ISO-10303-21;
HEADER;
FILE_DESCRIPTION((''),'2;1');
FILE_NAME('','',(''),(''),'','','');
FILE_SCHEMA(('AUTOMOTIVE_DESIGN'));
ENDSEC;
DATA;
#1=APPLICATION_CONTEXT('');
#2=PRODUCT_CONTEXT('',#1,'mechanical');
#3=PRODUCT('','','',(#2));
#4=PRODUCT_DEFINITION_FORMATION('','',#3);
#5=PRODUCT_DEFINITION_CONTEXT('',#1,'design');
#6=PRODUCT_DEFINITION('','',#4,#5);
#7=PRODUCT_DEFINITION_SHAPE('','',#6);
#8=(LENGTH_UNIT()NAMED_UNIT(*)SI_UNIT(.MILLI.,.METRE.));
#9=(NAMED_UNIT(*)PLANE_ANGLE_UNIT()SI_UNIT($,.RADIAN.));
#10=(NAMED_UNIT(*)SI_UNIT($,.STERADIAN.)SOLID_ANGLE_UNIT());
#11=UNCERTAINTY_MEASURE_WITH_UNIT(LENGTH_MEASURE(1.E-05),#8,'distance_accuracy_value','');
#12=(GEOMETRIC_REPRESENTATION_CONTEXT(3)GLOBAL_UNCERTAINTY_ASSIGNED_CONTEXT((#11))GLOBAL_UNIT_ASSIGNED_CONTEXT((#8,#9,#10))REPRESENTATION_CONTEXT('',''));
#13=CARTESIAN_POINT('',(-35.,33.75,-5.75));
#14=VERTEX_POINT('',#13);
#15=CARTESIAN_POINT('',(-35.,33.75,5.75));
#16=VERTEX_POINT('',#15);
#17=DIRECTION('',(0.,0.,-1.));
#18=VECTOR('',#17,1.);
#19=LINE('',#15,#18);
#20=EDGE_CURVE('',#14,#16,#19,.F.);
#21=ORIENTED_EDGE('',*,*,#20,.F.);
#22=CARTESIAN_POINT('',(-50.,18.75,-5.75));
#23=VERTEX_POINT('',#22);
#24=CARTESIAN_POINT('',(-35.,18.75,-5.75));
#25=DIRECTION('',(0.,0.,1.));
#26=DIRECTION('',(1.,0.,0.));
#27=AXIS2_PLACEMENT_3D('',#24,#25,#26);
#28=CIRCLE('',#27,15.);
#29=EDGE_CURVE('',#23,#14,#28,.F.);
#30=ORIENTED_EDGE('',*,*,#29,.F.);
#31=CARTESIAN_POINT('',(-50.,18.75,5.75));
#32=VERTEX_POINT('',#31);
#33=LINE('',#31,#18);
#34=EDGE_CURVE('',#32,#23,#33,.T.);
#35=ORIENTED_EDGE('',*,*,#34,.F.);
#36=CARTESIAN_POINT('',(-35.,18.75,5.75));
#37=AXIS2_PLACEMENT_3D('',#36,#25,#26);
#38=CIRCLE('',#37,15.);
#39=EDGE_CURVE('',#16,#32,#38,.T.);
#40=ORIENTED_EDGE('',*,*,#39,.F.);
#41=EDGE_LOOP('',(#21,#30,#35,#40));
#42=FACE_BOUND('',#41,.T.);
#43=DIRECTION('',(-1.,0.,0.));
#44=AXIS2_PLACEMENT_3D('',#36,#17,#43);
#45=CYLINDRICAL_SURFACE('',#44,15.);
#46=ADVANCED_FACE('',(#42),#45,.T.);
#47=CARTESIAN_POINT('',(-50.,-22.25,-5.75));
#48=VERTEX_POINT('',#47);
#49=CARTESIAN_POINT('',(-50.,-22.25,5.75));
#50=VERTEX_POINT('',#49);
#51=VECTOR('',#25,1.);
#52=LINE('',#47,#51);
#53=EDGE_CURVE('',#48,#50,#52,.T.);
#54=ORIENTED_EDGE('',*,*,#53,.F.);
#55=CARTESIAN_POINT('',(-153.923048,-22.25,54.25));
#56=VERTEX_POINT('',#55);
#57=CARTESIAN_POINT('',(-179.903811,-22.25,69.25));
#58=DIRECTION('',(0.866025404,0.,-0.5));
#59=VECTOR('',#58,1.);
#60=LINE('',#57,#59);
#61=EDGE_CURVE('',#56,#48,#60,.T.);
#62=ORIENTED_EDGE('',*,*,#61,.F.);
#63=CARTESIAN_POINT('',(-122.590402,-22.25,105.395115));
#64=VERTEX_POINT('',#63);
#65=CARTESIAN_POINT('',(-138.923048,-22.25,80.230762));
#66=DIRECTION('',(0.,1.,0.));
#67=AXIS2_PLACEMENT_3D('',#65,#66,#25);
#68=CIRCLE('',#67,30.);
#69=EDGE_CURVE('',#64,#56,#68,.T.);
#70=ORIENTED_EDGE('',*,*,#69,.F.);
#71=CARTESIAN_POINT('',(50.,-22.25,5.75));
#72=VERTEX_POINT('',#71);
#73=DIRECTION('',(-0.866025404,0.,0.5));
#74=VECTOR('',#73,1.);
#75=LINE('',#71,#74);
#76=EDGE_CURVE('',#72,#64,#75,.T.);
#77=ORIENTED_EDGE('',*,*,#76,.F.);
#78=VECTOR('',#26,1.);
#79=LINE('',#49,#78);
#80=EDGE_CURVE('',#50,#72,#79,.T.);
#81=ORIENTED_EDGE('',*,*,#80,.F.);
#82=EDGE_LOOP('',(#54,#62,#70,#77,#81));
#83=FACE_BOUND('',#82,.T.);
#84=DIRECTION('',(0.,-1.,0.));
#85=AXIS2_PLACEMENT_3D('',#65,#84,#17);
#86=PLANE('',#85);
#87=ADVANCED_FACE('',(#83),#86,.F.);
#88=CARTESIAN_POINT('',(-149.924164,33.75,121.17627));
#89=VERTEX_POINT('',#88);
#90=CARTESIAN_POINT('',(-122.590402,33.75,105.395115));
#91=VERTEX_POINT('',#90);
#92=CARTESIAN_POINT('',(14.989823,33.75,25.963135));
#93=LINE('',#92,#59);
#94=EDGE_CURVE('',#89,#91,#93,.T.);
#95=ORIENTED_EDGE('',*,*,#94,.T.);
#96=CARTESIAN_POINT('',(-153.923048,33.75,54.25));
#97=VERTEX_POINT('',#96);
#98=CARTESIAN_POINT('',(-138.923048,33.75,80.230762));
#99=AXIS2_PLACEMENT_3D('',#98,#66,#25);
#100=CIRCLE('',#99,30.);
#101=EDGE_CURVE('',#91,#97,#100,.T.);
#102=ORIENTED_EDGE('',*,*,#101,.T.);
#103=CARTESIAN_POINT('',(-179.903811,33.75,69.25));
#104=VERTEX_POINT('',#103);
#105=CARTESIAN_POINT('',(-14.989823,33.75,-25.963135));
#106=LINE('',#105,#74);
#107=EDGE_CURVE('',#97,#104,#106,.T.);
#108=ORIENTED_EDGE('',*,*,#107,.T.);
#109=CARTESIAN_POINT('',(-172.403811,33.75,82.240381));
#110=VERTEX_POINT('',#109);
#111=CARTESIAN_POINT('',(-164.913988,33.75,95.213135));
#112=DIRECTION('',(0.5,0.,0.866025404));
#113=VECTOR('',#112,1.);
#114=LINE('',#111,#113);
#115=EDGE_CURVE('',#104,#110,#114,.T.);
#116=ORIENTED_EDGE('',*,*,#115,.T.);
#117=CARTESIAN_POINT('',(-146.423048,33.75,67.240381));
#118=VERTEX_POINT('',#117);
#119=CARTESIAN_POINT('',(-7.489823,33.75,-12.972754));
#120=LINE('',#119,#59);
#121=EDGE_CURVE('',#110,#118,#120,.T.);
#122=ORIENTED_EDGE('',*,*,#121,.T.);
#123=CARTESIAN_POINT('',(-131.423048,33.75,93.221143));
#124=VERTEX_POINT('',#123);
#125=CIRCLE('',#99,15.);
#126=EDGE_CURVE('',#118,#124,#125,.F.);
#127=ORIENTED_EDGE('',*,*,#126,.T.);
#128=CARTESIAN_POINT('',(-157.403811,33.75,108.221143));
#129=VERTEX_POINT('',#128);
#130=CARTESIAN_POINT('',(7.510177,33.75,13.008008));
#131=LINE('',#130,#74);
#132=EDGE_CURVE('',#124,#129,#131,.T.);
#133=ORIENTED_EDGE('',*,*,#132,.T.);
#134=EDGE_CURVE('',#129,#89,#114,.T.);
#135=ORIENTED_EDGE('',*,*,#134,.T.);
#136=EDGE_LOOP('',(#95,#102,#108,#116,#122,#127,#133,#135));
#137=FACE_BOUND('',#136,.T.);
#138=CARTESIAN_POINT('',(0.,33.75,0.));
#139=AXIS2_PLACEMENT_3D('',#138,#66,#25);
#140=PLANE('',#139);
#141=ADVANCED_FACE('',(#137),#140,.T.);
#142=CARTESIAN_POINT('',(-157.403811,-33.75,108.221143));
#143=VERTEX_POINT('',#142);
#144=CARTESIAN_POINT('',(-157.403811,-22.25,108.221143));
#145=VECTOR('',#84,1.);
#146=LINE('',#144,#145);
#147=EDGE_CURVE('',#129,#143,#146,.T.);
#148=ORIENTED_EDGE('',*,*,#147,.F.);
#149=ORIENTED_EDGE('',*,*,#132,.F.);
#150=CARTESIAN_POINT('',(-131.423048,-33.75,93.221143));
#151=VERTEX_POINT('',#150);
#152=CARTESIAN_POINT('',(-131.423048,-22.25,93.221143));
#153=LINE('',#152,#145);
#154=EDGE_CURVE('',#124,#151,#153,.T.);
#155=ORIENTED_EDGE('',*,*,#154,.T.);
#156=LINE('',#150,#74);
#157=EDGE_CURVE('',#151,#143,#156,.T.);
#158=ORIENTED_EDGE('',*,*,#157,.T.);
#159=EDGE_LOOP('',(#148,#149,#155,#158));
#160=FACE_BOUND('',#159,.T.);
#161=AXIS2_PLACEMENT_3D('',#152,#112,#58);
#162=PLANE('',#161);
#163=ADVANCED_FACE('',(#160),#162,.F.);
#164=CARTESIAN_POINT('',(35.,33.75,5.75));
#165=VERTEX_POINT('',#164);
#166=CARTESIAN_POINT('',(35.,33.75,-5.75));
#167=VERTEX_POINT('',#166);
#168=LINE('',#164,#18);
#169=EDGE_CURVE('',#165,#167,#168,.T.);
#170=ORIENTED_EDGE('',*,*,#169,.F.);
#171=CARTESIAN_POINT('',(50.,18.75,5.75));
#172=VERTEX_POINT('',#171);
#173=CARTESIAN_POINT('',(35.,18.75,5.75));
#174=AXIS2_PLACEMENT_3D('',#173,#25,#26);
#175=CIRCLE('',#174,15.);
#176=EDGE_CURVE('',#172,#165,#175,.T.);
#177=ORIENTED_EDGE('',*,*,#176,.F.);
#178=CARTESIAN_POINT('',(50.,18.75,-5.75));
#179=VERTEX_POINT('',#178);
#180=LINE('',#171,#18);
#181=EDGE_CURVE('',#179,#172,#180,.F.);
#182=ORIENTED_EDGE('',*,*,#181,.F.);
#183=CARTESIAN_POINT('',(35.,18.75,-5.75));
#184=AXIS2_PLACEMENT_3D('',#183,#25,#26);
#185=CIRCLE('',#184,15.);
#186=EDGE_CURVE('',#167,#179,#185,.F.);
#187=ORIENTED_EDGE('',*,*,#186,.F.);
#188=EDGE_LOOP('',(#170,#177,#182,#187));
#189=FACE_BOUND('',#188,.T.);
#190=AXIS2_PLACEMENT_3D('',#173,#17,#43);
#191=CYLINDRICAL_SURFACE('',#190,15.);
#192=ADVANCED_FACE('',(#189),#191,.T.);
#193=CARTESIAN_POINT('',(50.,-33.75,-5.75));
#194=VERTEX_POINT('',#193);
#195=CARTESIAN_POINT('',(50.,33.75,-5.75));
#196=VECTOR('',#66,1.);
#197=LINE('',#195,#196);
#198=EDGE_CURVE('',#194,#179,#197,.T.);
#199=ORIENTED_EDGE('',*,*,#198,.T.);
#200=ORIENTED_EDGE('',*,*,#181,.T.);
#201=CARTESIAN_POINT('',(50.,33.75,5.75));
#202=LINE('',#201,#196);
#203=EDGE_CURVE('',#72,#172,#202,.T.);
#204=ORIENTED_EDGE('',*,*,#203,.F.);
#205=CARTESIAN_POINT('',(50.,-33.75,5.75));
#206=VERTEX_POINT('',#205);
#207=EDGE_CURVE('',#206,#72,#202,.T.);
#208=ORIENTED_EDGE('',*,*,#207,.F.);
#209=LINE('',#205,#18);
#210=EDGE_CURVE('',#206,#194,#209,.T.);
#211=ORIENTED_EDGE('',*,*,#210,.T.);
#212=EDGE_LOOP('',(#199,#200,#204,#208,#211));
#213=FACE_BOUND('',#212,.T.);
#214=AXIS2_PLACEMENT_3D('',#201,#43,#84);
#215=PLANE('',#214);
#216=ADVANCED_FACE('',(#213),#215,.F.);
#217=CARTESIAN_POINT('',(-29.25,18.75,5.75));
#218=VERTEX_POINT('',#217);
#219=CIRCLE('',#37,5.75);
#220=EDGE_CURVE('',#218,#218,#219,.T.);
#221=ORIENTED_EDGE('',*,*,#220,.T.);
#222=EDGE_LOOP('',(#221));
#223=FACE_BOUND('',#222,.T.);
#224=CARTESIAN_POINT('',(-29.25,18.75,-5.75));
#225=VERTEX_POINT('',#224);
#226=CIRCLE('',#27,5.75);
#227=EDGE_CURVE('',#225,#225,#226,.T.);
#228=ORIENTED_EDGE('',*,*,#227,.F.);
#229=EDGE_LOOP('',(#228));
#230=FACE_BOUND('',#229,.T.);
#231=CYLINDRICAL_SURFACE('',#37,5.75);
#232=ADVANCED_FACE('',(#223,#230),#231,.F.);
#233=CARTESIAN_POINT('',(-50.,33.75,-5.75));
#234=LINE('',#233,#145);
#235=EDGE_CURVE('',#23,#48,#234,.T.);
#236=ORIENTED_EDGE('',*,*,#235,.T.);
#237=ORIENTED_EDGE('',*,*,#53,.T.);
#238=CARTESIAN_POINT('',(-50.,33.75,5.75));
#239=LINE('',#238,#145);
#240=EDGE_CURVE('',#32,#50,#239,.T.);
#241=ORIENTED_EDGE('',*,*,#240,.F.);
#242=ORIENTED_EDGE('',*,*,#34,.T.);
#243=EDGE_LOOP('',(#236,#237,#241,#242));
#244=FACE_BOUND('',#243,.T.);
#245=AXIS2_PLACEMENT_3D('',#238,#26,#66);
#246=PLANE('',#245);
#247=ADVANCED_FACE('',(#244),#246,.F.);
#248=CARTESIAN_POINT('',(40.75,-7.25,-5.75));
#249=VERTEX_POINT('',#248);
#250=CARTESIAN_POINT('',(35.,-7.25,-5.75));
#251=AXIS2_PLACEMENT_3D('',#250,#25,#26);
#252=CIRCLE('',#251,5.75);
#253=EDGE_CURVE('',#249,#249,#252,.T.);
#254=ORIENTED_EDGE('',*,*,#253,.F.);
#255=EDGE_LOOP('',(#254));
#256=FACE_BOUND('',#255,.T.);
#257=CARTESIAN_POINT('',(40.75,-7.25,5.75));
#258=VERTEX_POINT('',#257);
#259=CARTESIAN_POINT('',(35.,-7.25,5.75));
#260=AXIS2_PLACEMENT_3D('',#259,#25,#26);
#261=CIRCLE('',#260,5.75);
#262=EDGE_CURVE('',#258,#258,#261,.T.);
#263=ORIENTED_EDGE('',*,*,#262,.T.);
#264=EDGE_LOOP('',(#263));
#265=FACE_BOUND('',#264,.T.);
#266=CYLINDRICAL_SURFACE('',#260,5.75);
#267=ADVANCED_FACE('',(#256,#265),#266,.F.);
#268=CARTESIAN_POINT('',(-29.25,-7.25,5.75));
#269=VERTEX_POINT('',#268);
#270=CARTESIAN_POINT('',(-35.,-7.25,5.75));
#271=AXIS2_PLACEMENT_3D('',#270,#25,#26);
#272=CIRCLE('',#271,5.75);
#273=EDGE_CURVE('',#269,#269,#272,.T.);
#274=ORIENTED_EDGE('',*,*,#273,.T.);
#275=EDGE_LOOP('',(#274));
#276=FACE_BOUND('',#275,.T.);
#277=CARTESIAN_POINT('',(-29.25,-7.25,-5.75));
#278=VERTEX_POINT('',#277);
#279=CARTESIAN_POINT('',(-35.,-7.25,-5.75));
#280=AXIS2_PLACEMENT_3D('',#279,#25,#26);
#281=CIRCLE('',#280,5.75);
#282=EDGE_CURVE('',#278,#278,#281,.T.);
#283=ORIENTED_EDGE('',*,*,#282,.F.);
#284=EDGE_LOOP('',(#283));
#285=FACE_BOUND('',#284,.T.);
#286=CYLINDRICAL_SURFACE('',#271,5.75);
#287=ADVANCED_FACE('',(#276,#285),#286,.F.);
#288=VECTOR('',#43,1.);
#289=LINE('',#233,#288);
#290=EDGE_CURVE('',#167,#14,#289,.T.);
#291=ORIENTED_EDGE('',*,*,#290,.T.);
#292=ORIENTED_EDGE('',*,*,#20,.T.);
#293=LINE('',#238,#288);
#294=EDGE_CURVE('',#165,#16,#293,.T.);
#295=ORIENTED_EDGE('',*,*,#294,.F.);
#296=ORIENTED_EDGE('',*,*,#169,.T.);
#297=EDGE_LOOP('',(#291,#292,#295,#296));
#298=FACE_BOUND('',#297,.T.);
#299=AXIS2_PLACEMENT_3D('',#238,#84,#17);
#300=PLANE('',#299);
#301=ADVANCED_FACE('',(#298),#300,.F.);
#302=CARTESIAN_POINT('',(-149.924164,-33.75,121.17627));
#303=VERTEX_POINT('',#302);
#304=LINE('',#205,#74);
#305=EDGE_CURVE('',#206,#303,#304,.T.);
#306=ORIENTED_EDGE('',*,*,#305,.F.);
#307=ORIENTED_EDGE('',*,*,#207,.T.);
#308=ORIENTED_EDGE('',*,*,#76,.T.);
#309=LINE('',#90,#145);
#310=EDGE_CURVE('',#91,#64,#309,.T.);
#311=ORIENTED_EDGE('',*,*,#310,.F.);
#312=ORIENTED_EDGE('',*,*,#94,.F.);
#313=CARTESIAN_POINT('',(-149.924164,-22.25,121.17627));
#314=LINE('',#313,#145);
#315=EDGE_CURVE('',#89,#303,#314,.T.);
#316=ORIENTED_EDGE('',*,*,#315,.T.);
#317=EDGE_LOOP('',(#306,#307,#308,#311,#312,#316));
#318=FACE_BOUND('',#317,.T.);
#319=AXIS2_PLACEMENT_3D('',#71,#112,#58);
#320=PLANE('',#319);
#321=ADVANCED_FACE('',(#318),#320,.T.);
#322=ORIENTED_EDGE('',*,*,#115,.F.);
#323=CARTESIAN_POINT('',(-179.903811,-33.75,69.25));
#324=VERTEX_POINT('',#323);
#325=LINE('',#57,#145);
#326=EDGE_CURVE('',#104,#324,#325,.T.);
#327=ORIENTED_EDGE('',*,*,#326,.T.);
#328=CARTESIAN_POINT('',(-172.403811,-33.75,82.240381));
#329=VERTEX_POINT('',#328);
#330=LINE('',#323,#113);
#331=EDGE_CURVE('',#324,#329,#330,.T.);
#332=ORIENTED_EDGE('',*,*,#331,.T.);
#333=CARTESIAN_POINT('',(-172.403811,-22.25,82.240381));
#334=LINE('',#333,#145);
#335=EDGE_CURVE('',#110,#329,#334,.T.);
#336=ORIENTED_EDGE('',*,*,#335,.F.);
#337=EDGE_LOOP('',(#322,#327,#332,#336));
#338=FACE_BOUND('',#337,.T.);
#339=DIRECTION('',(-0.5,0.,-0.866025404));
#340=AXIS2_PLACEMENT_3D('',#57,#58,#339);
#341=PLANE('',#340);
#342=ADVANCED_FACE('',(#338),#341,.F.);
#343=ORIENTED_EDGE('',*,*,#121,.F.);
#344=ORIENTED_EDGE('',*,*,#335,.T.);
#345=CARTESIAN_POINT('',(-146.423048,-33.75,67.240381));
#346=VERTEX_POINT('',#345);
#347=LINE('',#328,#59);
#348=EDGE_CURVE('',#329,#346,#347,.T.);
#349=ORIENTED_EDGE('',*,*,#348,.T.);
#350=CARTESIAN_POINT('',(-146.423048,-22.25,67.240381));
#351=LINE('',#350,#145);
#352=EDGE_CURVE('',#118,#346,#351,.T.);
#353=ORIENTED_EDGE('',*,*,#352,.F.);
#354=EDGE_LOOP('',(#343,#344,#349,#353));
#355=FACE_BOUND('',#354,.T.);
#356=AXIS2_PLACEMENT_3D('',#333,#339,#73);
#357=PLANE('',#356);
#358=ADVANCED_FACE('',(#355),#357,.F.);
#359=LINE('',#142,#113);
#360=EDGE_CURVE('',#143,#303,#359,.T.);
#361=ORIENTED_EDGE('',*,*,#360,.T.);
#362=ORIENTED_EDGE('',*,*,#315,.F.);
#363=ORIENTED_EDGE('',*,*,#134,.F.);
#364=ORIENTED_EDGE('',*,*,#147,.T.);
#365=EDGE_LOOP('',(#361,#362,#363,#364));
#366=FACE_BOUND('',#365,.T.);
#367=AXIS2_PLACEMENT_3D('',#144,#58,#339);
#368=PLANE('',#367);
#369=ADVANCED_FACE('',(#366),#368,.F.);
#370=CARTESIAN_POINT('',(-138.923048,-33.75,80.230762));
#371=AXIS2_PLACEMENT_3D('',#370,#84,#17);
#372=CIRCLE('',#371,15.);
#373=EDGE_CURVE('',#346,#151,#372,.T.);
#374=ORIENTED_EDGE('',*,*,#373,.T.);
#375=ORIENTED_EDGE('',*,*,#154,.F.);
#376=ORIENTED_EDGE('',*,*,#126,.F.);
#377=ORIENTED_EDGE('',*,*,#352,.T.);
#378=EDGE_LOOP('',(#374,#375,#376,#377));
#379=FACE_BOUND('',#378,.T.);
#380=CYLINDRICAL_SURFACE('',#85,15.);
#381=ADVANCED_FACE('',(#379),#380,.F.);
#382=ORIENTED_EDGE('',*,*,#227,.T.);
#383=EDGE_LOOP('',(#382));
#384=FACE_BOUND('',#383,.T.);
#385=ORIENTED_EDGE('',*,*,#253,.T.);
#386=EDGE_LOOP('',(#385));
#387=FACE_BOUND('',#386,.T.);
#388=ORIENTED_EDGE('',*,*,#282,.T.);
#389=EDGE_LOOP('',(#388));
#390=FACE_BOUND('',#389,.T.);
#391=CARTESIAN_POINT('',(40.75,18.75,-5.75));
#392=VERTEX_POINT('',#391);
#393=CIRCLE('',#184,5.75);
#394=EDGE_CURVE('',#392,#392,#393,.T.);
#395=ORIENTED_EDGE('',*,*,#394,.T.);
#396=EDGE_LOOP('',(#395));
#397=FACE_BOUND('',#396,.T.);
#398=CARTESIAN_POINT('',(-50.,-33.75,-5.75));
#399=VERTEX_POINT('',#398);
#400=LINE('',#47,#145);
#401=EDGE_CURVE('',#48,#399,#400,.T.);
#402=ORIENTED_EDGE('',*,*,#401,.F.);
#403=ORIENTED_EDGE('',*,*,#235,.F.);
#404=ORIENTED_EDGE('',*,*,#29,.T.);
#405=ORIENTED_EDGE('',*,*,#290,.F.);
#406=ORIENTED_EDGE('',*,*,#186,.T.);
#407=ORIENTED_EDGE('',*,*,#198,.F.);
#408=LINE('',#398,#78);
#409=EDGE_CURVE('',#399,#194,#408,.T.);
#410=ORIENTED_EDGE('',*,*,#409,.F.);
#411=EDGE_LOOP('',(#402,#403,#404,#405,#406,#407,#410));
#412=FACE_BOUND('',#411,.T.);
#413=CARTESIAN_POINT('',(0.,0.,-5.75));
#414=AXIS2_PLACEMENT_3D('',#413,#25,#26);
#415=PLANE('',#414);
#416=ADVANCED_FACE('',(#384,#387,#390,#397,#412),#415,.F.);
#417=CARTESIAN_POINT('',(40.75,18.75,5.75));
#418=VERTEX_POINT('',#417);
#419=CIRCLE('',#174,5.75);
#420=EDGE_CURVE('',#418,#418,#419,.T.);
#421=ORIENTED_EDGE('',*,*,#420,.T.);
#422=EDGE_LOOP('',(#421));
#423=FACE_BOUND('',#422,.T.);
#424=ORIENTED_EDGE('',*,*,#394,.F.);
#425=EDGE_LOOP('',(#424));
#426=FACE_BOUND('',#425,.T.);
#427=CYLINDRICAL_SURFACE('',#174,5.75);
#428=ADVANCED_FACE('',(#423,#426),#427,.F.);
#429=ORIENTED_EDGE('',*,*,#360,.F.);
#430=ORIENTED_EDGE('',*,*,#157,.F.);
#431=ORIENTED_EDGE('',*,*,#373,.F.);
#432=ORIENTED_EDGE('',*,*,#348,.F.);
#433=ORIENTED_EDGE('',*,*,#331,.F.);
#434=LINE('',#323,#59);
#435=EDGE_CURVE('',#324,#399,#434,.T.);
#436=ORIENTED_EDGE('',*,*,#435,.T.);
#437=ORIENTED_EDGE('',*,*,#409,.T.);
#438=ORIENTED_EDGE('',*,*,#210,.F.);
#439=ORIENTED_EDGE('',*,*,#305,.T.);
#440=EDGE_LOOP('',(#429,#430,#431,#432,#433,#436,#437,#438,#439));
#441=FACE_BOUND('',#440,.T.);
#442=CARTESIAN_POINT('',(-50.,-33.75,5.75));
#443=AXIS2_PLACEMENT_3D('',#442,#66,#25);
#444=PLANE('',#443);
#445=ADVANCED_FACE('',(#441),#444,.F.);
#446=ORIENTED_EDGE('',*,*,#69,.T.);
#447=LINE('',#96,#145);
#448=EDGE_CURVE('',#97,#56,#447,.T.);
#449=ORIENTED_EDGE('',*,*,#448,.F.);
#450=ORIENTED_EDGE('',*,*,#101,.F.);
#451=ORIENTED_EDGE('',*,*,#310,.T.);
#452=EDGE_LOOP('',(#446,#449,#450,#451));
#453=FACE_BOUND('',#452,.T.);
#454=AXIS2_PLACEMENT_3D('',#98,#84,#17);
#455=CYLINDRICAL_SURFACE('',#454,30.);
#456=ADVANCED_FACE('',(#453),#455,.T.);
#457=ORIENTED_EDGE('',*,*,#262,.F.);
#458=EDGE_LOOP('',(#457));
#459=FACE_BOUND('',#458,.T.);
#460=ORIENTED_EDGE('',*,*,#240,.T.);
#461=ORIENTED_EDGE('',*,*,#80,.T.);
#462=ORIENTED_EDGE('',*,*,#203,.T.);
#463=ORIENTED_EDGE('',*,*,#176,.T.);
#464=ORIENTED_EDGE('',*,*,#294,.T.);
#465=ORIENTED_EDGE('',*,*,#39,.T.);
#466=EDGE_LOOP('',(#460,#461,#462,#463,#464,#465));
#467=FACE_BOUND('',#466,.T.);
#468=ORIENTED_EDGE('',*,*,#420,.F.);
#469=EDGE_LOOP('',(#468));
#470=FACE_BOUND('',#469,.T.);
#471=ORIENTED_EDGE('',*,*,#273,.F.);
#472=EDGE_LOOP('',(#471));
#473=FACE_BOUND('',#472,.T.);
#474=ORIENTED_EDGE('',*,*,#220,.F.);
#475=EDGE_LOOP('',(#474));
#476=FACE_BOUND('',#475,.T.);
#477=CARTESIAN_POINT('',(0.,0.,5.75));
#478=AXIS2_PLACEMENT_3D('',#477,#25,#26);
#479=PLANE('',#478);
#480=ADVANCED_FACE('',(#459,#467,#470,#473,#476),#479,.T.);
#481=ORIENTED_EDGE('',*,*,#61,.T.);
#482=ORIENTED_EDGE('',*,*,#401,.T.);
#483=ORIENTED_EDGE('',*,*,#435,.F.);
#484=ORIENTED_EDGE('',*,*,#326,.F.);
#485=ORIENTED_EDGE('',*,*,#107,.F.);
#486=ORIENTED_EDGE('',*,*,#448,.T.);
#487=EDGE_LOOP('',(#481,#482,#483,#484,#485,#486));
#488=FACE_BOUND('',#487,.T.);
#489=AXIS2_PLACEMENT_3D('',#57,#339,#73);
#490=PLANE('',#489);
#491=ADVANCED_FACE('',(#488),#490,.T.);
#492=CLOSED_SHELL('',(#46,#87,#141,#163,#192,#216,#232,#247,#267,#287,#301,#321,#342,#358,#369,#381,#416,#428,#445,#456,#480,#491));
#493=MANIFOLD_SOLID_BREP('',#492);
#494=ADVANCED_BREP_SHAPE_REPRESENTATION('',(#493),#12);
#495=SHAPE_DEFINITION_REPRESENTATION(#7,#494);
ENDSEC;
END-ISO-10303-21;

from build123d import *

# Parameters (mm, degrees)
SKETCH_1_W                = 100
SKETCH_1_H                = 67.5
EXTRUDE_1_DEPTH           = 5.75
FILLET_1_R                = 15
HOLE_WIZARD_11_5_11_5_1_D = 11.5
EXTRUDE_2_DEPTH           = 11.5
EXTRUDE_3_DEPTH           = 56


with BuildPart() as part:
    # 草图1 → 凸台-拉伸1 (new, symmetric)
    with BuildSketch(Plane.XY):
        Rectangle(SKETCH_1_W, SKETCH_1_H)
    extrude(amount=EXTRUDE_1_DEPTH, both=True)

    # 圆角1
    fillet_1_edges = [part.edges().sort_by_distance(p)[0] for p in [
        (-50, 33.75, 0),
        (50, 33.75, 0),
    ]]
    fillet(fillet_1_edges, radius=FILLET_1_R)

    # Ø11.5 (11.5) 直径孔1 (through all)
    with Locations(Plane.XY.offset(5.75)):
        with Locations((-35, 18.75), (35, 18.75), (-35, -7.25), (35, -7.25)):
            Hole(HOLE_WIZARD_11_5_11_5_1_D / 2)

    # 草图5 → 凸台-拉伸2 (add)
    with BuildSketch(Plane.XZ.offset(33.75)):
        with BuildLine():
            Line((-179.903810568, 69.25), (-50, -5.75))
            Line((-50, -5.75), (-50, 5.75))
            Line((-50, 5.75), (50, 5.75))
            Line((50, 5.75), (-149.924164496, 121.176270189))
            Line((-149.924164496, 121.176270189), (-157.403810568, 108.22114317))
            Line((-157.403810568, 108.22114317), (-131.423048454, 93.22114317))
            ThreePointArc((-131.423048454, 93.22114317), (-125.932667397, 72.730762114), (-146.423048454, 67.240381057))
            Line((-146.423048454, 67.240381057), (-172.403810568, 82.240381057))
            Line((-172.403810568, 82.240381057), (-179.903810568, 69.25))
        make_face()
    extrude(amount=-EXTRUDE_2_DEPTH)

    # 草图6 → 凸台-拉伸3 (add)
    with BuildSketch(Plane(origin=(0, -22.25, 0), x_dir=(1, 0, 0), z_dir=(0, 1, 0))):
        with BuildLine():
            Line((-125.296403009, -106.957425465), (-122.590401756, -105.395114913))
            ThreePointArc((-122.590401756, -105.395114913), (-113.341811547, -64.559121538), (-153.923048454, -54.25))
            Line((-153.923048454, -54.25), (-179.903810568, -69.25))
            Line((-179.903810568, -69.25), (-172.403810568, -82.240381057))
            Line((-172.403810568, -82.240381057), (-146.423048454, -67.240381057))
            ThreePointArc((-146.423048454, -67.240381057), (-125.932667397, -72.730762114), (-131.423048454, -93.22114317))
            Line((-131.423048454, -93.22114317), (-157.403810568, -108.22114317))
            Line((-157.403810568, -108.22114317), (-149.924164496, -121.176270189))
            Line((-149.924164496, -121.176270189), (-125.296403009, -106.957425465))
        make_face()
    extrude(amount=EXTRUDE_3_DEPTH)


solid = part.part
